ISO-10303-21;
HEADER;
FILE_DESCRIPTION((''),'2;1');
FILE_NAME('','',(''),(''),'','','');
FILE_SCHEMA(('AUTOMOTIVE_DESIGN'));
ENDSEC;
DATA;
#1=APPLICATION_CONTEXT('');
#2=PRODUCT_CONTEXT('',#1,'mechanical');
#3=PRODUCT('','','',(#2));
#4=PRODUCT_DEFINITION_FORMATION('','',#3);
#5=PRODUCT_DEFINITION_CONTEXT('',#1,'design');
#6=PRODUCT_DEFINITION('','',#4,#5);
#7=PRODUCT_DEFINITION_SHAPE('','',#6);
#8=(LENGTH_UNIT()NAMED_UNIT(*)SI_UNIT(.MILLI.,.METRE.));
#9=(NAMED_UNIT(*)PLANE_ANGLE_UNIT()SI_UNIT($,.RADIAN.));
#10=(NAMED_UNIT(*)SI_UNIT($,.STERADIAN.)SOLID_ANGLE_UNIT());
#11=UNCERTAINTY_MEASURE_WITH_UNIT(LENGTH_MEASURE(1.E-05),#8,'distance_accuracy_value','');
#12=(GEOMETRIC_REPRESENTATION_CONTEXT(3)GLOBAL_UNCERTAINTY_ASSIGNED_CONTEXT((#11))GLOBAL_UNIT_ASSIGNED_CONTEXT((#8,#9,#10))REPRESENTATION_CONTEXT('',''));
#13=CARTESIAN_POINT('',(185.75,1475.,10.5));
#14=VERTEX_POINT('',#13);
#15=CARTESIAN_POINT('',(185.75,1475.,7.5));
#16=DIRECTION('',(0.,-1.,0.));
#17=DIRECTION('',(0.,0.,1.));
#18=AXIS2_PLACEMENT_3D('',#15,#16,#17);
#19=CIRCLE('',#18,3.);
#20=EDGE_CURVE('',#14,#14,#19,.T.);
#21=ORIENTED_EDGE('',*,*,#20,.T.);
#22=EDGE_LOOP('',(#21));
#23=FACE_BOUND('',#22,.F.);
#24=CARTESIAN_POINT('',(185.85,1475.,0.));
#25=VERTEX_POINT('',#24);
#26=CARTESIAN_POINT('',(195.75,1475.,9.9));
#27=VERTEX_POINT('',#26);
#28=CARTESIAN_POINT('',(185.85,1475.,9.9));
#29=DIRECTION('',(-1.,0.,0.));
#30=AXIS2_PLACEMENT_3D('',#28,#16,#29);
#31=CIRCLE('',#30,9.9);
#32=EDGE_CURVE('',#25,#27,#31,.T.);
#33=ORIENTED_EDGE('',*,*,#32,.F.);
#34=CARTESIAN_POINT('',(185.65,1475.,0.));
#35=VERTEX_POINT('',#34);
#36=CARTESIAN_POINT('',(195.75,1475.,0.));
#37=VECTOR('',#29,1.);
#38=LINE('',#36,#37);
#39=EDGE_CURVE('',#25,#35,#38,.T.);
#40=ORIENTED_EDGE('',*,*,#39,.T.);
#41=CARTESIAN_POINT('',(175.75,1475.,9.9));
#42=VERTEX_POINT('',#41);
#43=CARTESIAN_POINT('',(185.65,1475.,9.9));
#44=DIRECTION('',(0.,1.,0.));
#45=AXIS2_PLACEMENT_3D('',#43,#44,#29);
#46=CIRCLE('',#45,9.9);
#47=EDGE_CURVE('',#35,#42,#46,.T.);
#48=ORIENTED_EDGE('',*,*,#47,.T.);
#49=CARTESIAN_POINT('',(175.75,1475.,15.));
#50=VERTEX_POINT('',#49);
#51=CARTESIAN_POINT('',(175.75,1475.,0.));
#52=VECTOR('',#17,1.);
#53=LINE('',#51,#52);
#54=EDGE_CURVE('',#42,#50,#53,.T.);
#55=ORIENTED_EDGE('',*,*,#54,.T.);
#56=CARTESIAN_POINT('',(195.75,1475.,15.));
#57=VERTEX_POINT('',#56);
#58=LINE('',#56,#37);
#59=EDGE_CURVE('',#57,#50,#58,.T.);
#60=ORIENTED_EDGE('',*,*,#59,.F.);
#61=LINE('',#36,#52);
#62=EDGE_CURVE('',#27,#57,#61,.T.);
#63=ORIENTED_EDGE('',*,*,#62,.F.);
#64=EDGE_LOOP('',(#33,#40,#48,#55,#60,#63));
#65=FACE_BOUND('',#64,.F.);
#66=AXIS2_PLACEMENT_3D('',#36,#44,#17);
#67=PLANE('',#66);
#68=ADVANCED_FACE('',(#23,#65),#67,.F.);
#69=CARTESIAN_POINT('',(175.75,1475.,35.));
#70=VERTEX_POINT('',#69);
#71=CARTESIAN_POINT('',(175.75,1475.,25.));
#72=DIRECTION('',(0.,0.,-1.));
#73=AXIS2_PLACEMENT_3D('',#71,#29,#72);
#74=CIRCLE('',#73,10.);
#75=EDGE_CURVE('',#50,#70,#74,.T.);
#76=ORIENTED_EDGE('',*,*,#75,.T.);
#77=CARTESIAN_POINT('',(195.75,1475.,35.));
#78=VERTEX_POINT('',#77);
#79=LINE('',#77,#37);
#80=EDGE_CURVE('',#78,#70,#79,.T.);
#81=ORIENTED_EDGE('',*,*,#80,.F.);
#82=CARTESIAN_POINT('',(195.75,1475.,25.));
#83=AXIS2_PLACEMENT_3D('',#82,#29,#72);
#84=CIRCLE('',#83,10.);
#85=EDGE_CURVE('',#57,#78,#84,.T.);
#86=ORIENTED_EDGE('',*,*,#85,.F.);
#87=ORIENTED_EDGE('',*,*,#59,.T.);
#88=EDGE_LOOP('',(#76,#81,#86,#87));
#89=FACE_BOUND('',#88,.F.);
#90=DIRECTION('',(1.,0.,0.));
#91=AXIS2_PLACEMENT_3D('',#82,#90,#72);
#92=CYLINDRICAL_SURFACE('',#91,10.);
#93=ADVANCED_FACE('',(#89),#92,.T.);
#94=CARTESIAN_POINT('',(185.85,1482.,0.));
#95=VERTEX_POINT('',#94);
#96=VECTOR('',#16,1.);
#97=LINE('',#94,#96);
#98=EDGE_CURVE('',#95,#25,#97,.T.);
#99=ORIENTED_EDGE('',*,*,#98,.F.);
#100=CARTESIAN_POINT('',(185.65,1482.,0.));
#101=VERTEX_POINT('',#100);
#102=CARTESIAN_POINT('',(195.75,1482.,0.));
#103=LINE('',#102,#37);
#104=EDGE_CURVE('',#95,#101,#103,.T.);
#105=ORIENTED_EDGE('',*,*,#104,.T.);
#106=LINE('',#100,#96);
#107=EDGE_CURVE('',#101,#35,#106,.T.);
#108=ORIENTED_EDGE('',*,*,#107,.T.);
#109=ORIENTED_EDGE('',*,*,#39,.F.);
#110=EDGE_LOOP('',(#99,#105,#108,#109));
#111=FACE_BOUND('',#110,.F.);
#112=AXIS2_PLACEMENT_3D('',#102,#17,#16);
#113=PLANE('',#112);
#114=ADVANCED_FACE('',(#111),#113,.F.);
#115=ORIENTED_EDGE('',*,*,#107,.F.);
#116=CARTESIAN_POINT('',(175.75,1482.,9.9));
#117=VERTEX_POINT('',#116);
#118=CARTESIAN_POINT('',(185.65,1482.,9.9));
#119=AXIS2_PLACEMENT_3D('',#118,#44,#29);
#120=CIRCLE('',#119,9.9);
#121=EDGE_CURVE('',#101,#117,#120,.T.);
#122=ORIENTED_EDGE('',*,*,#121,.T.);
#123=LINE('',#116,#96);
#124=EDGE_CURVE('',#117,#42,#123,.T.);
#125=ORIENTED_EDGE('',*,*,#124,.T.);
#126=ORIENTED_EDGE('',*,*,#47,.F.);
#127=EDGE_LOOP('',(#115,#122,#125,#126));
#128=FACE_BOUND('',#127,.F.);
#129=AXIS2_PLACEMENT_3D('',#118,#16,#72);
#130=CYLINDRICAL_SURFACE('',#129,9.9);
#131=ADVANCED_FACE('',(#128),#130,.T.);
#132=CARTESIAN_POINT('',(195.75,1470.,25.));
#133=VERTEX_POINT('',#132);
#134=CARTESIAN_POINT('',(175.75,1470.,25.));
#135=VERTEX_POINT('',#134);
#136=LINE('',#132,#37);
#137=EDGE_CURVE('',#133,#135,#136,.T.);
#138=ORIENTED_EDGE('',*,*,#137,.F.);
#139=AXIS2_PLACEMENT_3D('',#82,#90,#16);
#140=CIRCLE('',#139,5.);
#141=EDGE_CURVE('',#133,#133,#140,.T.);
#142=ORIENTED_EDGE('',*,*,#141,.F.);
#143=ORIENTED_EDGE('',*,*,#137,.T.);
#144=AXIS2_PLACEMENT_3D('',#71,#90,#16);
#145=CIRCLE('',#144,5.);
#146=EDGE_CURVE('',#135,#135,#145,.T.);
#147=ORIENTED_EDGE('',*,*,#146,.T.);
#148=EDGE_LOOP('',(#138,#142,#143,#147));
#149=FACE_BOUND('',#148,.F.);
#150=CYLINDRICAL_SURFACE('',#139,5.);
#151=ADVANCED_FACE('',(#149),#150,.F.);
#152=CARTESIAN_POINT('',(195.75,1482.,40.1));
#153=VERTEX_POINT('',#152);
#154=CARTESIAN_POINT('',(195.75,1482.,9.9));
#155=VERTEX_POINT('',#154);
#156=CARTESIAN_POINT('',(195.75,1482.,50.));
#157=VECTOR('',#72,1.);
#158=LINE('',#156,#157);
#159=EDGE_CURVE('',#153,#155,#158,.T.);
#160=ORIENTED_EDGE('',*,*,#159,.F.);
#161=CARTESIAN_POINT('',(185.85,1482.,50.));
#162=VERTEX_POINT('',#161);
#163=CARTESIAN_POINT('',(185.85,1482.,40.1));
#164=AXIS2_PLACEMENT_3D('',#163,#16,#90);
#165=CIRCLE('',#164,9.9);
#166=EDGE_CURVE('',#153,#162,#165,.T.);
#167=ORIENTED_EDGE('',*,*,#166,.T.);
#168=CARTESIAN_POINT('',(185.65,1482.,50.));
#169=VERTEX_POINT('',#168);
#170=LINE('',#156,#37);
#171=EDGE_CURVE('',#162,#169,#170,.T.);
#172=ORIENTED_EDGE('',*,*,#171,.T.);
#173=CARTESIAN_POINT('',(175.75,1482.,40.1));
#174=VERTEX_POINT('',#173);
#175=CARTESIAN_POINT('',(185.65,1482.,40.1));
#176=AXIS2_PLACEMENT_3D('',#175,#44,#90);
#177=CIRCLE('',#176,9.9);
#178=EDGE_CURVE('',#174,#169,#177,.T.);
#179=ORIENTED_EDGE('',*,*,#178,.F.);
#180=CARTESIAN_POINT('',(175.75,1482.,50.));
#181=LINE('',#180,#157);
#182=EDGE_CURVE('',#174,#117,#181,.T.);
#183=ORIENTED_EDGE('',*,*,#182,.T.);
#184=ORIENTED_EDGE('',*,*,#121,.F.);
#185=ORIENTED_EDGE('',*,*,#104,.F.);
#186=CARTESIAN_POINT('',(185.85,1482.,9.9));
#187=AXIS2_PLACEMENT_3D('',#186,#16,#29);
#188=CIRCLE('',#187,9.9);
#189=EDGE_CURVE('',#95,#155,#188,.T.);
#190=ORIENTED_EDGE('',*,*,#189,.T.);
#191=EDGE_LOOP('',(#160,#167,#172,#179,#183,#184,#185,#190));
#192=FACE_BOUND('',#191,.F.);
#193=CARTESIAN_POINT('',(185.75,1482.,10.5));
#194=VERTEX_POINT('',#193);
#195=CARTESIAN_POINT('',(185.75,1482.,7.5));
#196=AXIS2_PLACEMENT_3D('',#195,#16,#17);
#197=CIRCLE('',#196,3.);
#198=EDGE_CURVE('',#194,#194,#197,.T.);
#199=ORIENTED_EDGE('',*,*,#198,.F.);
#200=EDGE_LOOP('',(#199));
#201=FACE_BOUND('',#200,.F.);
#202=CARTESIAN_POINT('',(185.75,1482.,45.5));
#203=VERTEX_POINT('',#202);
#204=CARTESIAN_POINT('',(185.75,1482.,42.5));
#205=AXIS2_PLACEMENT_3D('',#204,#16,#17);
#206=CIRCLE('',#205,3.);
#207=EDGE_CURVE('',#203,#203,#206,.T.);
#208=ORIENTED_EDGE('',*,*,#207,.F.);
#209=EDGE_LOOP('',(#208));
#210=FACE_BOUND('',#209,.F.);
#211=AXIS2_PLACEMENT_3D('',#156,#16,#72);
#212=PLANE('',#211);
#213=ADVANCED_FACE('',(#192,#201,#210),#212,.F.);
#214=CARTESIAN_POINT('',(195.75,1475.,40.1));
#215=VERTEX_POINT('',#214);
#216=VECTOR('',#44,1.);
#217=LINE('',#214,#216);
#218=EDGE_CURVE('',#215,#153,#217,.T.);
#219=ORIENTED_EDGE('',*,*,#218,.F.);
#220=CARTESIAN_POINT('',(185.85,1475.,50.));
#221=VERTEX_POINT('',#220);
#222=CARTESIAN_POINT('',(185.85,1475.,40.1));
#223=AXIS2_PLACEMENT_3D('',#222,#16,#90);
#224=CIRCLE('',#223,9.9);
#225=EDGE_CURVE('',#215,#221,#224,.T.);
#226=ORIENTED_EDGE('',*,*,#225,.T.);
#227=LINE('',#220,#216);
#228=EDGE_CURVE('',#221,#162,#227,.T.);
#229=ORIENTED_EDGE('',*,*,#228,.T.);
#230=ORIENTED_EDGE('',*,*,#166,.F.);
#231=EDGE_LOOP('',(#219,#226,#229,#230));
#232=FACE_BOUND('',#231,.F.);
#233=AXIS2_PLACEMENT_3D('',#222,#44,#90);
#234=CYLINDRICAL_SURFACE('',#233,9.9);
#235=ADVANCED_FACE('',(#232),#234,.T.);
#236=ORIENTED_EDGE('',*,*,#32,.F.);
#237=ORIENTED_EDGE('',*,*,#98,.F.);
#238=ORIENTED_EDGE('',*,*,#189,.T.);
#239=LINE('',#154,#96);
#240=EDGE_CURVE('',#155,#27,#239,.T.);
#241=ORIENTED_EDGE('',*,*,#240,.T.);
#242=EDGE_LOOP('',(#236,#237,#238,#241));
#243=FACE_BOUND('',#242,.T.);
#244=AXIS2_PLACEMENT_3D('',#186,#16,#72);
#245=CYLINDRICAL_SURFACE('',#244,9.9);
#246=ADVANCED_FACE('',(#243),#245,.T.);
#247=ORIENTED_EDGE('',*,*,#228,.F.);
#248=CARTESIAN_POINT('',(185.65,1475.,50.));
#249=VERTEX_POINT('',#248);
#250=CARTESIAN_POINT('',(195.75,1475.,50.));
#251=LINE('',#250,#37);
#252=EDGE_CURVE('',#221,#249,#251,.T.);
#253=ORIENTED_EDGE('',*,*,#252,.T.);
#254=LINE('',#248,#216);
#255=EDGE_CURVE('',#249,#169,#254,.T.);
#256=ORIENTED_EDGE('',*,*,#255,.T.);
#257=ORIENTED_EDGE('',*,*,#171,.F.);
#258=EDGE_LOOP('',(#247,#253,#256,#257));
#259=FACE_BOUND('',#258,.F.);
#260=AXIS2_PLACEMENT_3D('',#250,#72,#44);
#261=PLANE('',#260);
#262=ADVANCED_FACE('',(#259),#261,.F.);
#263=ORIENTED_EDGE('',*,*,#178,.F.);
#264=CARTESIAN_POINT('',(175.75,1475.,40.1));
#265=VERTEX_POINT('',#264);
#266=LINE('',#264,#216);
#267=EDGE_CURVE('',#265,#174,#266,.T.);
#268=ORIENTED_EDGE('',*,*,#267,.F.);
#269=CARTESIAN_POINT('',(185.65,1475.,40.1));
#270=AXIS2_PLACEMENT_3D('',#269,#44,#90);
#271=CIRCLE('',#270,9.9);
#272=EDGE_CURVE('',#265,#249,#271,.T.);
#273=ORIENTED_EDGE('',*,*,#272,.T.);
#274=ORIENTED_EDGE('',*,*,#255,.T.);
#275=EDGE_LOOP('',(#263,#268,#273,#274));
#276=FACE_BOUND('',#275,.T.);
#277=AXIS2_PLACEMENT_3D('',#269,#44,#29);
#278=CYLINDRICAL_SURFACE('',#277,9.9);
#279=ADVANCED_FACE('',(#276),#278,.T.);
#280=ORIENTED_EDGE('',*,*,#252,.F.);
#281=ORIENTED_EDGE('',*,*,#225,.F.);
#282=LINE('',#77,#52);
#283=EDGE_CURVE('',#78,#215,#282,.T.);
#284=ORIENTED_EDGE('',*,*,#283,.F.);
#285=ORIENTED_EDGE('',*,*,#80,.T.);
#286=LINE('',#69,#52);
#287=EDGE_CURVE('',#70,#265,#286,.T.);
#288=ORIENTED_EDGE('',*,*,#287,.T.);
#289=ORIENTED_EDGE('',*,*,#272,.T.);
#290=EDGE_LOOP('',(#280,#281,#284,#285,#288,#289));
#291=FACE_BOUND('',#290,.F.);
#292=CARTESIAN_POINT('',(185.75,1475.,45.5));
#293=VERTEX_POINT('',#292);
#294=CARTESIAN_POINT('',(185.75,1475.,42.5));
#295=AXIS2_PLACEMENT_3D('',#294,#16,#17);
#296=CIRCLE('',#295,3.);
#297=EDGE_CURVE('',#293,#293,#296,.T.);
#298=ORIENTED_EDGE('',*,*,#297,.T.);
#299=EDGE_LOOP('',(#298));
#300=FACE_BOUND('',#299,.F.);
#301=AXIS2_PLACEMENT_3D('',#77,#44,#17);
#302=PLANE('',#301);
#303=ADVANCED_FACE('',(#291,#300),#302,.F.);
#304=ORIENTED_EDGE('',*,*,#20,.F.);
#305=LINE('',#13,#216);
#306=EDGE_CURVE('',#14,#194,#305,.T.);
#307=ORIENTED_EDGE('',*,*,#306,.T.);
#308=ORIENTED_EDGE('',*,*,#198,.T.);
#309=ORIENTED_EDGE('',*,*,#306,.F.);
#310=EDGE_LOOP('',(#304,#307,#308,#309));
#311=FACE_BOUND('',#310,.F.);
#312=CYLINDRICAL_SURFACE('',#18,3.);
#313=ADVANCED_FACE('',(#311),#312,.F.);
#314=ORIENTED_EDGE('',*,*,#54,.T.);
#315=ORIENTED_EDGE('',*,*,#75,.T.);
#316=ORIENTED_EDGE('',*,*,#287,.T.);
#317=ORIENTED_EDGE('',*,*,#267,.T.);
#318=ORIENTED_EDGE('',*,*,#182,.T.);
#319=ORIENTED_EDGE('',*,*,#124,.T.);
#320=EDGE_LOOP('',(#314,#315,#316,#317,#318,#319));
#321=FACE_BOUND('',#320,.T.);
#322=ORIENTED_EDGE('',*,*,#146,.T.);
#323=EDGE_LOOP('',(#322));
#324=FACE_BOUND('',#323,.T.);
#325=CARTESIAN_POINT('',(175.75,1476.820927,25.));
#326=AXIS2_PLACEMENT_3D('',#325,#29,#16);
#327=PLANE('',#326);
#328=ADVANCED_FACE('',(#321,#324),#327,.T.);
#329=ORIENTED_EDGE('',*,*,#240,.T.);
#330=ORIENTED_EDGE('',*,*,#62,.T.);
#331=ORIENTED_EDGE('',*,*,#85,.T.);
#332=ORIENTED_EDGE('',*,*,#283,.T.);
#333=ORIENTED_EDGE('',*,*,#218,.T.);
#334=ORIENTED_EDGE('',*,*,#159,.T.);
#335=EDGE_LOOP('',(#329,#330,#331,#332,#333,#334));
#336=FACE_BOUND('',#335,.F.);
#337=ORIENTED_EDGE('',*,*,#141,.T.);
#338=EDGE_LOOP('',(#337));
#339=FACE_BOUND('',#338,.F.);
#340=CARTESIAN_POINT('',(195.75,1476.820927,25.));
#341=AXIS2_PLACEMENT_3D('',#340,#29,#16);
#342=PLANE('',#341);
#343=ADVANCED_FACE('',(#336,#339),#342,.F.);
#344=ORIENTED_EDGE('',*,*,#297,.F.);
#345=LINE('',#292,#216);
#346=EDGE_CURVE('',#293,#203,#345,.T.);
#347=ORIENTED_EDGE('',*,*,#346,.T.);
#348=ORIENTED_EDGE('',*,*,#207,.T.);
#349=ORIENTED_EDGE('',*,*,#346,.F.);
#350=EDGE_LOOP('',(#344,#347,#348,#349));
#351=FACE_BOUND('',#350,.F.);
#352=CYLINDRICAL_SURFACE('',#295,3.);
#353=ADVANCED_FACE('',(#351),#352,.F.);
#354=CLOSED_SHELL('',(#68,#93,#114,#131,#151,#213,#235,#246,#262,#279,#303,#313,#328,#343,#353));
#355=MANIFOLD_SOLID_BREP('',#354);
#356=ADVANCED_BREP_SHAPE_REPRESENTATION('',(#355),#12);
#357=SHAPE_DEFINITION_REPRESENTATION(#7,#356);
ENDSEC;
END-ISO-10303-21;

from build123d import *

# Parameters (mm, degrees)
PAD030_DEPTH             = 20
SKETCH021_R              = 5
POCKET001006_DEPTH       = 20.001
FILLET_R                 = 9.9
SKETCH024_R              = 3
POCKET002_DEPTH          = 7.001
CLONE076_ROLL_ANGLE      = 90
CLONE076_PLACEMENT_ANGLE = -90


with BuildPart() as part:
    # Sketch020 → Pad030 (new body)
    with BuildSketch(Plane.XY):
        with BuildLine():
            Line((18, 0), (25, 0))
            Line((25, 0), (25, 15))
            ThreePointArc((25, 15), (35, 25), (25, 35))
            Line((25, 35), (25, 50))
            Line((25, 50), (18, 50))
            Line((18, 50), (18, 0))
        make_face()
    extrude(amount=PAD030_DEPTH)

    # Sketch021 → Pocket001006 (cut, through all)
    with BuildSketch(Plane(origin=(0, 0, 0), x_dir=(1, 0, 0), z_dir=(0, 0, -1))):
        with Locations((25, -25)):
            Circle(SKETCH021_R)
    extrude(amount=-POCKET001006_DEPTH, mode=Mode.SUBTRACT)

    # Fillet
    fillet_edges = [part.edges().sort_by_distance(p)[0] for p in [
        (21.5, 0, 0),
        (21.5, 50, 0),
        (21.5, 50, 20),
        (21.5, 0, 20),
    ]]
    fillet(fillet_edges, radius=FILLET_R)

    # Sketch024 → Pocket002 (cut, through all)
    with BuildSketch(Plane.YZ.offset(25)):
        with Locations((7.5, 10)):
            Circle(SKETCH024_R)
        with Locations((42.5, 10)):
            Circle(SKETCH024_R)
    extrude(amount=-POCKET002_DEPTH, mode=Mode.SUBTRACT)


with BuildPart() as part_1:
    # Clone076 roll: moved
    add(part.part.rotate(Axis((0, 0, 0), (1, 0, 0)), CLONE076_ROLL_ANGLE))


with BuildPart() as part_2:
    # Clone076 placement: moved
    add(part_1.part.moved(Location((120.75, 1500, 0))).rotate(Axis((120.75, 1500, 0), (0, 0, 1)), CLONE076_PLACEMENT_ANGLE))


with BuildPart() as part_3:
    # Clone077 placement: moved
    add(part_2.part.moved(Location((75, 0, 0))))


solid = part_3.part
